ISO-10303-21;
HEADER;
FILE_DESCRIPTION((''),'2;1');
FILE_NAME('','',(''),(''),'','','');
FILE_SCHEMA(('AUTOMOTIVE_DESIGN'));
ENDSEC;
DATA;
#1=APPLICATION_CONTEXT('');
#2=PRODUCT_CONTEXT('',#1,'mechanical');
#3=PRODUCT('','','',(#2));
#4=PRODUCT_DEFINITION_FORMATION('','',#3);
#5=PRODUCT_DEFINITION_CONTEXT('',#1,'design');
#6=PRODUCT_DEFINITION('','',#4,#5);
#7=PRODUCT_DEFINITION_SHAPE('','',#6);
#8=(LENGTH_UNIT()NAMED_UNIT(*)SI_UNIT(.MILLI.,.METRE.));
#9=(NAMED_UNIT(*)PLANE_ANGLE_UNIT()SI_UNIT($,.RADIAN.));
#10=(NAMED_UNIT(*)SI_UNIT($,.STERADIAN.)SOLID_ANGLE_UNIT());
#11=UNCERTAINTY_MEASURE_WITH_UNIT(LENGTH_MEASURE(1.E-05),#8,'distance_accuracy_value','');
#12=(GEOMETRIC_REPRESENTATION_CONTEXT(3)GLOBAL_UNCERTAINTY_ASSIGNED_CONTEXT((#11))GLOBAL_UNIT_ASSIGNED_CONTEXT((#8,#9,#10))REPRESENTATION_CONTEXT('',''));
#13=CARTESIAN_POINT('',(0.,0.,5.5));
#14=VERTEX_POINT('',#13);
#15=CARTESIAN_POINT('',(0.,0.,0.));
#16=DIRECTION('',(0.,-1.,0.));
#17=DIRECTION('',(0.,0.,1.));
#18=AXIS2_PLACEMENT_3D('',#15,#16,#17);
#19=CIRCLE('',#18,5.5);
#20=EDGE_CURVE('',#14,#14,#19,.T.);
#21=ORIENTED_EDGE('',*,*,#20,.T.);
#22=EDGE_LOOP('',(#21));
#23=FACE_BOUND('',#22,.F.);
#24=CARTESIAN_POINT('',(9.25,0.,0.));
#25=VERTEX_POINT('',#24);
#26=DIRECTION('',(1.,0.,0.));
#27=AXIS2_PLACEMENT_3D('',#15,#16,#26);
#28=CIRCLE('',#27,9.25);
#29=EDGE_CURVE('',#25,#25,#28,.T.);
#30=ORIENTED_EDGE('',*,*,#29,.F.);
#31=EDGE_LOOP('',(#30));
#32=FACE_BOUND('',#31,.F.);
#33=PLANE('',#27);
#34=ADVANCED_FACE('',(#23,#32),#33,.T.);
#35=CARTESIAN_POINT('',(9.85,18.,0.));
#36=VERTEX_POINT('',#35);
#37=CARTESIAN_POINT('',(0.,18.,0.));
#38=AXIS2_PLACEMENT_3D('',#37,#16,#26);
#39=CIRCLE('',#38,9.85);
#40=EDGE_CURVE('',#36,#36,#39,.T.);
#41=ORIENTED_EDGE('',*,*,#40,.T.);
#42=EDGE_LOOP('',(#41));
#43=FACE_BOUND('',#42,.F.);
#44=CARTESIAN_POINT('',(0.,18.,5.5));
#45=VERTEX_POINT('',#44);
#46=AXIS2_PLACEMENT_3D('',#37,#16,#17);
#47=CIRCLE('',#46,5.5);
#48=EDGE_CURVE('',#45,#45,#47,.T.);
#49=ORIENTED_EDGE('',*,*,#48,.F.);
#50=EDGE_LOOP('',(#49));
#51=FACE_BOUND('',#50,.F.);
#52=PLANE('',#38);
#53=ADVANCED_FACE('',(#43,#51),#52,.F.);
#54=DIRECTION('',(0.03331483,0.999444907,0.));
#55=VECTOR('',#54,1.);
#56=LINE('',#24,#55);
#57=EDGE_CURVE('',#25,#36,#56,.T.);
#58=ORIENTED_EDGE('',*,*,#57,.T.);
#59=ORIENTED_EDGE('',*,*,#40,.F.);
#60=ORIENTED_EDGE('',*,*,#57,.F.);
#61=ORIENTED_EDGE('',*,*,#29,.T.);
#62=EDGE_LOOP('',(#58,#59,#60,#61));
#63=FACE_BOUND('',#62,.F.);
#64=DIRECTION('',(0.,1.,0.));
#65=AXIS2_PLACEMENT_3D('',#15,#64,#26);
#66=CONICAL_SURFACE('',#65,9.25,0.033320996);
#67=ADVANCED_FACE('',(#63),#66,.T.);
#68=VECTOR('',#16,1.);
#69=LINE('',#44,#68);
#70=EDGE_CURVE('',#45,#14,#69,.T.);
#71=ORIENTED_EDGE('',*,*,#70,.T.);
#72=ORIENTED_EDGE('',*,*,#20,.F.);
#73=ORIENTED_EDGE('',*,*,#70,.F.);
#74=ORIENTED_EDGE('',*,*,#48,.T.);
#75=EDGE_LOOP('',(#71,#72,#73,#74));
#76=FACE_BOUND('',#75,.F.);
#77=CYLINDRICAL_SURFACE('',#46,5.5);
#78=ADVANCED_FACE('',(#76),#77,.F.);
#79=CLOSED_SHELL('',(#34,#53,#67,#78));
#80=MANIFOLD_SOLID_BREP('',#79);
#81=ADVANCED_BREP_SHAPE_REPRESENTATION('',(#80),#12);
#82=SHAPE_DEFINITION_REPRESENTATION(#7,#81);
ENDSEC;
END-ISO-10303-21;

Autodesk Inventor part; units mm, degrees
ref_plane "YZ Plane" through (0, 0, 0) normal (1, 0, 0) x (0, 1, 0)
ref_plane "XZ Plane" through (0, 0, 0) normal (0, 1, 0) x (-1, 0, 0)
ref_plane "XY Plane" through (0, 0, 0) normal (0, 0, 1) x (1, 0, 0)
sketch "Sketch1" plane through (0, 0, 0) normal (0, 0, 1) x (1, 0, 0)
  line L0 (0, 0) -> (9.25, 0)
  line L1 (9.25, 0) -> (9.85, 18)
  line L2 (9.85, 18) -> (0, 18)
  line L3 (0, 18) -> (0, 0)
  dimension "d0" = 9.85
  dimension "d1" = 9.25
  dimension "d2" = 18
revolve "Revolution1" add sketch "Sketch1" angle 360 about axis through (0, 18, 0) along (0, -1, 0)
sketch "Sketch2" plane through (0, 18, 0) normal (0, 1, 0) x (1, 0, 0)
  circle A0 centre (0, 0) radius 4.64
  dimension "d4" = 9.28
hole "Hole1" at (0, 18, 0) direction (0, -1, 0) diameter 11 end through all
properties part number "Pata-Goma" material "Rubber"
